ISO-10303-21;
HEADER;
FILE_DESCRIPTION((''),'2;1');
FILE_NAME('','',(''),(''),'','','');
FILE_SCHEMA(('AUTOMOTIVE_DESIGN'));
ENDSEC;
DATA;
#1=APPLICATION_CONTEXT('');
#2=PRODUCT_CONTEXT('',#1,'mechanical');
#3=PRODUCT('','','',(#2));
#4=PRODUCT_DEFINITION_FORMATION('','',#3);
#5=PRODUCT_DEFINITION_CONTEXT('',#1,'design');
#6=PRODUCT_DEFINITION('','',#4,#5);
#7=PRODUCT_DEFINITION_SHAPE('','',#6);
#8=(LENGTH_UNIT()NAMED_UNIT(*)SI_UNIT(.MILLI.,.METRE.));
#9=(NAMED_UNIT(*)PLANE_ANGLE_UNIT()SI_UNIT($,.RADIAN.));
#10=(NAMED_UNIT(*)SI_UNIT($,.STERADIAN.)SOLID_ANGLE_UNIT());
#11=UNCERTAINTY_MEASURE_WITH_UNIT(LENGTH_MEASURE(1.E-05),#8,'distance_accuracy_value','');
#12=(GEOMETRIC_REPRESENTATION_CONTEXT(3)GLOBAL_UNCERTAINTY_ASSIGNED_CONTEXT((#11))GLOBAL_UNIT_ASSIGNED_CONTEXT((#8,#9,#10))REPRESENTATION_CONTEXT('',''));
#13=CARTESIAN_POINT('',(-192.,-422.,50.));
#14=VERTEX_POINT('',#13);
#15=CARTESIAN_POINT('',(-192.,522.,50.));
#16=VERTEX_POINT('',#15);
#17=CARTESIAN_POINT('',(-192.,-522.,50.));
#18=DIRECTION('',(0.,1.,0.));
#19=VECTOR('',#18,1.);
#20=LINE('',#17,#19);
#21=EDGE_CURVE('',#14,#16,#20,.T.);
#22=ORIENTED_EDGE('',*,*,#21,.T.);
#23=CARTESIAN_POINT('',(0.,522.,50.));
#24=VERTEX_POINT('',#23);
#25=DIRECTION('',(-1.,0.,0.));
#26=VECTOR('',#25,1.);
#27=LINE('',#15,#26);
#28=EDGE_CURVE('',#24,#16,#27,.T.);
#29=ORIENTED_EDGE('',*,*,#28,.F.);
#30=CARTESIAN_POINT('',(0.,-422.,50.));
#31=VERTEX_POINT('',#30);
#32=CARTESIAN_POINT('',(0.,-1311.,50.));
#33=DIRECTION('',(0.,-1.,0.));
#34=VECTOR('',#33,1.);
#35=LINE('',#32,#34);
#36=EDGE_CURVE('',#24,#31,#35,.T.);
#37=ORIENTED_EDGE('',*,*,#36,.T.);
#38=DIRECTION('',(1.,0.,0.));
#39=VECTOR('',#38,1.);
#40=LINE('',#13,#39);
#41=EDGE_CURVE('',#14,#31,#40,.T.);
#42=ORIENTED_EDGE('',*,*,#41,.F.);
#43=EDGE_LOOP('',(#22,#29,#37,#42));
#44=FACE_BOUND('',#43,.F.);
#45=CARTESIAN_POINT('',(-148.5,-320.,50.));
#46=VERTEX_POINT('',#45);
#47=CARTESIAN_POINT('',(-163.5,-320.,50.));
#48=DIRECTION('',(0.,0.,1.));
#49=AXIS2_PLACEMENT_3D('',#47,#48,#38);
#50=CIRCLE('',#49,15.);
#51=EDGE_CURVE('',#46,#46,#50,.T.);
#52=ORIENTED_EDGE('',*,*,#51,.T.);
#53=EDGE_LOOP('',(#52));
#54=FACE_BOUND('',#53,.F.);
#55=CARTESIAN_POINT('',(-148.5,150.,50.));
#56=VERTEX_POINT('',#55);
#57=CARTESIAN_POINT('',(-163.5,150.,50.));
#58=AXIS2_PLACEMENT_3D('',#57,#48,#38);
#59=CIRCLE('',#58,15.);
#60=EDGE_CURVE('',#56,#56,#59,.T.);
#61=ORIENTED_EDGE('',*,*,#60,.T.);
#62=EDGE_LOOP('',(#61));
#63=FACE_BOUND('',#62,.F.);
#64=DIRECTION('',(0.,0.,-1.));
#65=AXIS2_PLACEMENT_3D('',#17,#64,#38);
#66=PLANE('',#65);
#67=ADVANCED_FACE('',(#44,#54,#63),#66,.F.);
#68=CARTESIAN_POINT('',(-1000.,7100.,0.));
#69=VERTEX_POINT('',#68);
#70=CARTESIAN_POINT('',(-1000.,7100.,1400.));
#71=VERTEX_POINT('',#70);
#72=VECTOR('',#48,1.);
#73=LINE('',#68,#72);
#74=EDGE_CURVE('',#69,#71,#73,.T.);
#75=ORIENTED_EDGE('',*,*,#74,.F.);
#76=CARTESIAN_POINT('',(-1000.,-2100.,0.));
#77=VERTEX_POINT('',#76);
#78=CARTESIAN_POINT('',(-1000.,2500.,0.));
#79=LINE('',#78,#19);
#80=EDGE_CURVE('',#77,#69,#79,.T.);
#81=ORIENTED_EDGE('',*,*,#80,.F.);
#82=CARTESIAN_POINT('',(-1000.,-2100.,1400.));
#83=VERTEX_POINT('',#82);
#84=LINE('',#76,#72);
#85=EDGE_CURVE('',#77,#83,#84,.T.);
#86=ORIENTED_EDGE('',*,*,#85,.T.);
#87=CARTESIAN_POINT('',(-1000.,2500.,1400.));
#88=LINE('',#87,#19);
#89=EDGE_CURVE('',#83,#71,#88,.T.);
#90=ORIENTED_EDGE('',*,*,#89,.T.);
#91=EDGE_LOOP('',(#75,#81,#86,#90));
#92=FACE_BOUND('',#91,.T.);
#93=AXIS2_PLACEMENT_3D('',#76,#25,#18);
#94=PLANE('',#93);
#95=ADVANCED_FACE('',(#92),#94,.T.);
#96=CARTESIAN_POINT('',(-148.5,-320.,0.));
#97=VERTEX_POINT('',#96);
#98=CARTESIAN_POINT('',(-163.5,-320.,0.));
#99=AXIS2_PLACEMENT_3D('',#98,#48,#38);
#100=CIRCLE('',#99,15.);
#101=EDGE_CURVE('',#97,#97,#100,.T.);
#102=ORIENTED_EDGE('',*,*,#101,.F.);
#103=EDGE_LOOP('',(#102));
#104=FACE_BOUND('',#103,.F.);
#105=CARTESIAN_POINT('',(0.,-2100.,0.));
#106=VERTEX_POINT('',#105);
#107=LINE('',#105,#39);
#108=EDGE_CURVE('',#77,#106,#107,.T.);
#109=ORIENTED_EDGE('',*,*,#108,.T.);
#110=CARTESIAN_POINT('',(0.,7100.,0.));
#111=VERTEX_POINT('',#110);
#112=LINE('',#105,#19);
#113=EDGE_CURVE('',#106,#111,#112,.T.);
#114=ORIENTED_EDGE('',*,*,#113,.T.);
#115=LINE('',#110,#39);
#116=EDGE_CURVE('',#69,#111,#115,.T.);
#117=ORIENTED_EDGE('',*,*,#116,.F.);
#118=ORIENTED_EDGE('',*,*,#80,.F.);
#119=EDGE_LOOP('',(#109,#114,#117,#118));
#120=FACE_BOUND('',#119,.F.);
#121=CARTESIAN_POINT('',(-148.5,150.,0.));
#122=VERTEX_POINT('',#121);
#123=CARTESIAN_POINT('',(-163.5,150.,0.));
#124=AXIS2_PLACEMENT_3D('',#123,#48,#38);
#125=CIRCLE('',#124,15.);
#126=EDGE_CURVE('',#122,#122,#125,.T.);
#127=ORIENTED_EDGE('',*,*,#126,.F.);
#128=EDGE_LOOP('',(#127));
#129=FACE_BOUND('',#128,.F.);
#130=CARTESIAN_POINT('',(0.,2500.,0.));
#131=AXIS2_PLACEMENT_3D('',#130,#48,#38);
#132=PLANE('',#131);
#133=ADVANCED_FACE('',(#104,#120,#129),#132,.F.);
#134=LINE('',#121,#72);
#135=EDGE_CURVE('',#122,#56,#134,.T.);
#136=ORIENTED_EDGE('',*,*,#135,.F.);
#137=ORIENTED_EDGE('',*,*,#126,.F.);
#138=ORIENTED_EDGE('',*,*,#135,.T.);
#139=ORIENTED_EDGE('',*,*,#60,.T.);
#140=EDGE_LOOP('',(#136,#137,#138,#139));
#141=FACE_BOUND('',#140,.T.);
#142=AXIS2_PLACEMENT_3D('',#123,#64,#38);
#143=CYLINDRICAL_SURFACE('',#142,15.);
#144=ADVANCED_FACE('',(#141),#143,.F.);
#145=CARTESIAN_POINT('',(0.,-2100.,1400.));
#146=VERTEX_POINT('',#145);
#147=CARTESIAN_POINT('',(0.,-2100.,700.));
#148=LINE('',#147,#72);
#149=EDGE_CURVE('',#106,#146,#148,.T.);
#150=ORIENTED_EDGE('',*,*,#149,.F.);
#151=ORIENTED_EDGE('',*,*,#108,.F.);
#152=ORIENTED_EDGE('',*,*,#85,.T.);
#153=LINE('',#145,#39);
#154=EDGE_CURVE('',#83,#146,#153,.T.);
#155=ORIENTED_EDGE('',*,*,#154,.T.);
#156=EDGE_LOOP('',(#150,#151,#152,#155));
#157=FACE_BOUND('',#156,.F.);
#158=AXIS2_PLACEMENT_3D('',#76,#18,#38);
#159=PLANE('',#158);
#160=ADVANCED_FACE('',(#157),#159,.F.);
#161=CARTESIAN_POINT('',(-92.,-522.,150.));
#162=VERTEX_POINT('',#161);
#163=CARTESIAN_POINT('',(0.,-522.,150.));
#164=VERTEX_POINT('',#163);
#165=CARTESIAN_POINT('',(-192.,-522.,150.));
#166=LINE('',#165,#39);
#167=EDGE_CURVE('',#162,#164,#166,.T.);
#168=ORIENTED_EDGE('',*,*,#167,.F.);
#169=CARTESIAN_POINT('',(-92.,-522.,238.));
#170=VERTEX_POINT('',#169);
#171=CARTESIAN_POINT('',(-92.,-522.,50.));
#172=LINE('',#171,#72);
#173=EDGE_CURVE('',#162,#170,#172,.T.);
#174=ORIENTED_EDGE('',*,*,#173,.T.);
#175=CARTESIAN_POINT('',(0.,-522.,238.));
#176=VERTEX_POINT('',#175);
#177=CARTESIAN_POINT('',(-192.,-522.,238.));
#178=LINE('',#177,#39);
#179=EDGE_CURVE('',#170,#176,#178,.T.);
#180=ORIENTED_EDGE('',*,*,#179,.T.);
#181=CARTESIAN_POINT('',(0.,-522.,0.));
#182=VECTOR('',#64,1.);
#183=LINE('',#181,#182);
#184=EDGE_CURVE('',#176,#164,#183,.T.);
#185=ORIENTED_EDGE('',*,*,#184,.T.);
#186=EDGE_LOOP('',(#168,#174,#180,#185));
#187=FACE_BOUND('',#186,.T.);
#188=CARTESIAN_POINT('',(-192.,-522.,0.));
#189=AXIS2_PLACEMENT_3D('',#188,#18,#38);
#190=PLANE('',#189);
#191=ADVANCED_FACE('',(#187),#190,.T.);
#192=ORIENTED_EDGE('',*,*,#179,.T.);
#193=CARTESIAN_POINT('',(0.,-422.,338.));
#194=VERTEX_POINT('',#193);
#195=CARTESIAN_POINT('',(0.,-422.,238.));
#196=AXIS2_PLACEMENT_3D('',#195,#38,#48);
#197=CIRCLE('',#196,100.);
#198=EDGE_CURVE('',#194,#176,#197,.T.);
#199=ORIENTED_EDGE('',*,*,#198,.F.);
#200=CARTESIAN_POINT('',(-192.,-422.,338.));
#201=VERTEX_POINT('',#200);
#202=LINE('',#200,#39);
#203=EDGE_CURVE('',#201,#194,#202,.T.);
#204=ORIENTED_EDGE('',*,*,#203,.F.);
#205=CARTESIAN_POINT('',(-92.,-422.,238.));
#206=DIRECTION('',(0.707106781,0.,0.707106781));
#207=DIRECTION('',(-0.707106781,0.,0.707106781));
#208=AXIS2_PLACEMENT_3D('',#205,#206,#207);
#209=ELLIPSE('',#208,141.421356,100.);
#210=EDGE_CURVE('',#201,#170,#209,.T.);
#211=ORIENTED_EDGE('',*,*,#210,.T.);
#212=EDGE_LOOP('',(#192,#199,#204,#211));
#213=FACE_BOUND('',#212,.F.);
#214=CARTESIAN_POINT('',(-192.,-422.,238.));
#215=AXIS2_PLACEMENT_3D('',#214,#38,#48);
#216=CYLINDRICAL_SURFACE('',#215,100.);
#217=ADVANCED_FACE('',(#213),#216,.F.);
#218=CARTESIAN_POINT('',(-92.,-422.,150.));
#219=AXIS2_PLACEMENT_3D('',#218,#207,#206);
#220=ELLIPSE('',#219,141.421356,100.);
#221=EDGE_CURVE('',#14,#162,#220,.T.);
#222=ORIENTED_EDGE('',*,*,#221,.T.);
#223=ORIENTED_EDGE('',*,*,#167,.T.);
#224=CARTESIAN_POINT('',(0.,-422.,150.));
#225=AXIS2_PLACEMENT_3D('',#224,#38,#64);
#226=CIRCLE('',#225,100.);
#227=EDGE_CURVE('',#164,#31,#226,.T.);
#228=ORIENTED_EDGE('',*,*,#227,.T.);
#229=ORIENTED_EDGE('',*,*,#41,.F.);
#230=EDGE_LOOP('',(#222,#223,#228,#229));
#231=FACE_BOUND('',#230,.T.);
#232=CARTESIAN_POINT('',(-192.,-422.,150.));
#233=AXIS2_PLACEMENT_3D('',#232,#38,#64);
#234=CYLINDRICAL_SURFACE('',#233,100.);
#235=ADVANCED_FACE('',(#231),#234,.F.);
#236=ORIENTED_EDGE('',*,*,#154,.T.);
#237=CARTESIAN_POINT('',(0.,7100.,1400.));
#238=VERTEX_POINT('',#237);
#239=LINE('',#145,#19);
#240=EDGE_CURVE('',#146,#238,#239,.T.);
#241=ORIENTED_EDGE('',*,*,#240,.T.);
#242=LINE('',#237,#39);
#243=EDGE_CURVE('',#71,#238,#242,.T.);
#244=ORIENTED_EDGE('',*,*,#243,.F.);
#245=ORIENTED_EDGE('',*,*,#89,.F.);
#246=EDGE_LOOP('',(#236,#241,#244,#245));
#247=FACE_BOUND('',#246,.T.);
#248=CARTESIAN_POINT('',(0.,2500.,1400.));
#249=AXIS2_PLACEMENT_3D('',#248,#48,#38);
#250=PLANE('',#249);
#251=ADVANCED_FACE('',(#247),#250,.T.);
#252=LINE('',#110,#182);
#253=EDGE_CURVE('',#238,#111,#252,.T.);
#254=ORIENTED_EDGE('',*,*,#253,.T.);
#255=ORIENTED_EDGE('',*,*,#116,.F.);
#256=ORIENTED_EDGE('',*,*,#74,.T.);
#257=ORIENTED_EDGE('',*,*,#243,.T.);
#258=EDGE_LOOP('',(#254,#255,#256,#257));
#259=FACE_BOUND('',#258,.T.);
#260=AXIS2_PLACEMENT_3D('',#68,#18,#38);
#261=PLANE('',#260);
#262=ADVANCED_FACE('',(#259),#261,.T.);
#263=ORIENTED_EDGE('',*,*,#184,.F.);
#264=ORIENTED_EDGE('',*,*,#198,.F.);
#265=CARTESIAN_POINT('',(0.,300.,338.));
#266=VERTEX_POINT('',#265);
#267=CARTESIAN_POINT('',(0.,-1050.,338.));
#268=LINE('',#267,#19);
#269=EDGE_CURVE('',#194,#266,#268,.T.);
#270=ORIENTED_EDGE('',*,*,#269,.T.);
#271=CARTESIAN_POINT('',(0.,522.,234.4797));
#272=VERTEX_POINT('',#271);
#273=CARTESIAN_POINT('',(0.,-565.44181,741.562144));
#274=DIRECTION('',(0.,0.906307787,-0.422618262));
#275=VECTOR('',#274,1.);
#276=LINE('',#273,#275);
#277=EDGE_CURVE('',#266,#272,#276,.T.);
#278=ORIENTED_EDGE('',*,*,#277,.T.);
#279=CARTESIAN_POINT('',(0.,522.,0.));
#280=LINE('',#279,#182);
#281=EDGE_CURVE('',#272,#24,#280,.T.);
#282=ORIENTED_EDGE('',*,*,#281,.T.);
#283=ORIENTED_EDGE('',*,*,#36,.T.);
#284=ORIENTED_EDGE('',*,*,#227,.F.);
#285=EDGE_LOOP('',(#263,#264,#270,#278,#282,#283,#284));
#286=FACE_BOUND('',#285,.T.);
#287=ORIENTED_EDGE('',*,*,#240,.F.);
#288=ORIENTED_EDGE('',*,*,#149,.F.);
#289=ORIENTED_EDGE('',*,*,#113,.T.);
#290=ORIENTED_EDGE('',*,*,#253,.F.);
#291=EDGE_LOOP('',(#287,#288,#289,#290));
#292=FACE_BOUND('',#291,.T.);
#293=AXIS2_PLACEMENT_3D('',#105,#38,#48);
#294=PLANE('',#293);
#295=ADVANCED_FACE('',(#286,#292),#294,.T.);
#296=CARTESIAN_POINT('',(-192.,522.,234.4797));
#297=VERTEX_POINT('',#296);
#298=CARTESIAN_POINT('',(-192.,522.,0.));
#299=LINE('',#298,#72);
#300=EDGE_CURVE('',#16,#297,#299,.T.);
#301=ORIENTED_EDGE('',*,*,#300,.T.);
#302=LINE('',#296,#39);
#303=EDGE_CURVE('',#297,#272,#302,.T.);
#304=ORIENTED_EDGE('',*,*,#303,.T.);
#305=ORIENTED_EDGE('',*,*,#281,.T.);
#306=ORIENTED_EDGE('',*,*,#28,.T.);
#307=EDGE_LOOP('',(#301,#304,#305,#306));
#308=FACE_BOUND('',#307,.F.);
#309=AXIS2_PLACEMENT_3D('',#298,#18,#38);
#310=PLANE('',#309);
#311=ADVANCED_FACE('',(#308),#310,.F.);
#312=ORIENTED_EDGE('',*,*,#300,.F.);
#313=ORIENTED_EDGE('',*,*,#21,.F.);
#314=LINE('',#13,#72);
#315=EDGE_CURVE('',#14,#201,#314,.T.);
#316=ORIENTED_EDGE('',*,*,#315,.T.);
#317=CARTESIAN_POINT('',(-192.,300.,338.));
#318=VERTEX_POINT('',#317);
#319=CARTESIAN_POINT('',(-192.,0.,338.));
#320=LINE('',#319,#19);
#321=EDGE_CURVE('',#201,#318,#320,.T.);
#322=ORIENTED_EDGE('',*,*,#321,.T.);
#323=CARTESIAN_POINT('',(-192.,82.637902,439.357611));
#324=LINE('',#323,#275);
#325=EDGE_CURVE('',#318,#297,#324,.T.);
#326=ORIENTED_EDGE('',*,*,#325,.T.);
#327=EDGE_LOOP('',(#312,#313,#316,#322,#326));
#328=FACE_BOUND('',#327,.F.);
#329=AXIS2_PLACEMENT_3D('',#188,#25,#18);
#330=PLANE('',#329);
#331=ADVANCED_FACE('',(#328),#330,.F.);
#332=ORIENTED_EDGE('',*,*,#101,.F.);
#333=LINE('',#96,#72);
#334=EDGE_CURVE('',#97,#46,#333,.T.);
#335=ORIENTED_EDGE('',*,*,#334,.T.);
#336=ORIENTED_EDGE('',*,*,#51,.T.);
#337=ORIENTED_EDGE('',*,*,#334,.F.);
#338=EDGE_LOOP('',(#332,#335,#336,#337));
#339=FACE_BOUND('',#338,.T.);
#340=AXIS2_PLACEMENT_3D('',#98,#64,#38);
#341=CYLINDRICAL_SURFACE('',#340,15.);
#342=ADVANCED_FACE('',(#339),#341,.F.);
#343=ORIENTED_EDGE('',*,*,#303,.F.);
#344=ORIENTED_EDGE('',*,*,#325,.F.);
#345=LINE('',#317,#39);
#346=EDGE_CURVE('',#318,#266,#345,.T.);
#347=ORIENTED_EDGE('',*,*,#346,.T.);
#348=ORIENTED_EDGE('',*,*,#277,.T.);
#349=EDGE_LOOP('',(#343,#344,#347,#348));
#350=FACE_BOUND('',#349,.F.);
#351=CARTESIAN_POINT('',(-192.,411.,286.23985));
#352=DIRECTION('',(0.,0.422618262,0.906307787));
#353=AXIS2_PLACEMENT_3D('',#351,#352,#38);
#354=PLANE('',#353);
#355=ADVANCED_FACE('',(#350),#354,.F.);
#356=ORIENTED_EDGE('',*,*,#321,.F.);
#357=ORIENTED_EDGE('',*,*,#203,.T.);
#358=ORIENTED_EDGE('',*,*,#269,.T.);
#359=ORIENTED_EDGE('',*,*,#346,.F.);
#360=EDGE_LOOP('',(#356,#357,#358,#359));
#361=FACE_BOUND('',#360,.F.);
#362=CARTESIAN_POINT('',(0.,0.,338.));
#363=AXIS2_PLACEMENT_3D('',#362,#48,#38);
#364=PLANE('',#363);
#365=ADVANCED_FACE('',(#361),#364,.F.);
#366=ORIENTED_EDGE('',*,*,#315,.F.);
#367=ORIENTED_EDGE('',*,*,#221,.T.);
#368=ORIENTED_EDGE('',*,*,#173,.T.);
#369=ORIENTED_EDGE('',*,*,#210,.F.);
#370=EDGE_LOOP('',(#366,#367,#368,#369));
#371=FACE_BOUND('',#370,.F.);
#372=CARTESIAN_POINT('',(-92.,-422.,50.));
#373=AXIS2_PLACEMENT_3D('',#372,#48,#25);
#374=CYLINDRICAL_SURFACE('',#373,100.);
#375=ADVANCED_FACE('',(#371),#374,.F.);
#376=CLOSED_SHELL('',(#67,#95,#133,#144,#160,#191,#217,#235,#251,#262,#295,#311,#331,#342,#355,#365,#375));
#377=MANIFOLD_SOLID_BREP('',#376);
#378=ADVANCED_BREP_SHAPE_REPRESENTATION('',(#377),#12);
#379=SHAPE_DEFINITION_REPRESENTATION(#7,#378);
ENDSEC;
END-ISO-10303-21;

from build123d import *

# Parameters (mm, degrees)
F0_W      = 384
F0_H      = 1044
F1_DEPTH  = 338
F2_W      = 384
F2_H      = 50
F3_DEPTH  = 1044.001
F4_R      = 100
F5_SIZE2  = 103.5203001104
F5_SIZE   = 222
F6_R      = 15
F7_DEPTH  = 50
F8_W      = 2000
F8_H      = 9200
F9_DEPTH  = 1400
F11_W     = 1000
F11_H     = 1400
F12_DEPTH = 9200.001


with BuildPart() as f1:
    # F0 (on Top) → F1 (new body)
    with BuildSketch(Plane.XY):
        Rectangle(F0_W, F0_H)
    extrude(amount=F1_DEPTH)

    # F2 (on face) → F3 (cut, through all)
    with BuildSketch(Plane.XZ.offset(522)):
        with Locations((0, 25)):
            Rectangle(F2_W, F2_H)
    extrude(amount=-F3_DEPTH, mode=Mode.SUBTRACT)

    # F4
    f4_edges = [f1.edges().sort_by_distance(p)[0] for p in [
        (-192, -522, 194),
        (0, -522, 338),
        (192, -522, 194),
        (0, -522, 50),
    ]]
    fillet(f4_edges, radius=F4_R)

    # F5
    f5_edges = [f1.edges().sort_by_distance(p)[0] for p in [
        (0, 522, 338),
    ]]
    f5_side = f1.faces().sort_by_distance((0, 50, 338))[0]
    chamfer(f5_edges, length=F5_SIZE, length2=F5_SIZE2, reference=f5_side)

    # F6 (on Top) → F7 (join, through all)
    with BuildSketch(Plane.XY):
        with Locations((163.5, -320)):
            Circle(F6_R)
        with Locations((163.5, 150)):
            Circle(F6_R)
        with Locations((-163.5, 150)):
            Circle(F6_R)
        with Locations((-163.5, -320)):
            Circle(F6_R)
    extrude(amount=F7_DEPTH)


with BuildPart() as f9:
    # F8 (on Top) → F9 (new body)
    with BuildSketch(Plane.XY):
        with Locations((0, 2500)):
            Rectangle(F8_W, F8_H)
    extrude(amount=F9_DEPTH)

    # F10: cut F1
    add(f1.part, mode=Mode.SUBTRACT)

    # F11 (on face) → F12 (cut, through all)
    with BuildSketch(Plane.XZ.offset(2100)):
        with Locations((500, 700)):
            Rectangle(F11_W, F11_H)
    extrude(amount=-F12_DEPTH, mode=Mode.SUBTRACT)


solid = f9.part
